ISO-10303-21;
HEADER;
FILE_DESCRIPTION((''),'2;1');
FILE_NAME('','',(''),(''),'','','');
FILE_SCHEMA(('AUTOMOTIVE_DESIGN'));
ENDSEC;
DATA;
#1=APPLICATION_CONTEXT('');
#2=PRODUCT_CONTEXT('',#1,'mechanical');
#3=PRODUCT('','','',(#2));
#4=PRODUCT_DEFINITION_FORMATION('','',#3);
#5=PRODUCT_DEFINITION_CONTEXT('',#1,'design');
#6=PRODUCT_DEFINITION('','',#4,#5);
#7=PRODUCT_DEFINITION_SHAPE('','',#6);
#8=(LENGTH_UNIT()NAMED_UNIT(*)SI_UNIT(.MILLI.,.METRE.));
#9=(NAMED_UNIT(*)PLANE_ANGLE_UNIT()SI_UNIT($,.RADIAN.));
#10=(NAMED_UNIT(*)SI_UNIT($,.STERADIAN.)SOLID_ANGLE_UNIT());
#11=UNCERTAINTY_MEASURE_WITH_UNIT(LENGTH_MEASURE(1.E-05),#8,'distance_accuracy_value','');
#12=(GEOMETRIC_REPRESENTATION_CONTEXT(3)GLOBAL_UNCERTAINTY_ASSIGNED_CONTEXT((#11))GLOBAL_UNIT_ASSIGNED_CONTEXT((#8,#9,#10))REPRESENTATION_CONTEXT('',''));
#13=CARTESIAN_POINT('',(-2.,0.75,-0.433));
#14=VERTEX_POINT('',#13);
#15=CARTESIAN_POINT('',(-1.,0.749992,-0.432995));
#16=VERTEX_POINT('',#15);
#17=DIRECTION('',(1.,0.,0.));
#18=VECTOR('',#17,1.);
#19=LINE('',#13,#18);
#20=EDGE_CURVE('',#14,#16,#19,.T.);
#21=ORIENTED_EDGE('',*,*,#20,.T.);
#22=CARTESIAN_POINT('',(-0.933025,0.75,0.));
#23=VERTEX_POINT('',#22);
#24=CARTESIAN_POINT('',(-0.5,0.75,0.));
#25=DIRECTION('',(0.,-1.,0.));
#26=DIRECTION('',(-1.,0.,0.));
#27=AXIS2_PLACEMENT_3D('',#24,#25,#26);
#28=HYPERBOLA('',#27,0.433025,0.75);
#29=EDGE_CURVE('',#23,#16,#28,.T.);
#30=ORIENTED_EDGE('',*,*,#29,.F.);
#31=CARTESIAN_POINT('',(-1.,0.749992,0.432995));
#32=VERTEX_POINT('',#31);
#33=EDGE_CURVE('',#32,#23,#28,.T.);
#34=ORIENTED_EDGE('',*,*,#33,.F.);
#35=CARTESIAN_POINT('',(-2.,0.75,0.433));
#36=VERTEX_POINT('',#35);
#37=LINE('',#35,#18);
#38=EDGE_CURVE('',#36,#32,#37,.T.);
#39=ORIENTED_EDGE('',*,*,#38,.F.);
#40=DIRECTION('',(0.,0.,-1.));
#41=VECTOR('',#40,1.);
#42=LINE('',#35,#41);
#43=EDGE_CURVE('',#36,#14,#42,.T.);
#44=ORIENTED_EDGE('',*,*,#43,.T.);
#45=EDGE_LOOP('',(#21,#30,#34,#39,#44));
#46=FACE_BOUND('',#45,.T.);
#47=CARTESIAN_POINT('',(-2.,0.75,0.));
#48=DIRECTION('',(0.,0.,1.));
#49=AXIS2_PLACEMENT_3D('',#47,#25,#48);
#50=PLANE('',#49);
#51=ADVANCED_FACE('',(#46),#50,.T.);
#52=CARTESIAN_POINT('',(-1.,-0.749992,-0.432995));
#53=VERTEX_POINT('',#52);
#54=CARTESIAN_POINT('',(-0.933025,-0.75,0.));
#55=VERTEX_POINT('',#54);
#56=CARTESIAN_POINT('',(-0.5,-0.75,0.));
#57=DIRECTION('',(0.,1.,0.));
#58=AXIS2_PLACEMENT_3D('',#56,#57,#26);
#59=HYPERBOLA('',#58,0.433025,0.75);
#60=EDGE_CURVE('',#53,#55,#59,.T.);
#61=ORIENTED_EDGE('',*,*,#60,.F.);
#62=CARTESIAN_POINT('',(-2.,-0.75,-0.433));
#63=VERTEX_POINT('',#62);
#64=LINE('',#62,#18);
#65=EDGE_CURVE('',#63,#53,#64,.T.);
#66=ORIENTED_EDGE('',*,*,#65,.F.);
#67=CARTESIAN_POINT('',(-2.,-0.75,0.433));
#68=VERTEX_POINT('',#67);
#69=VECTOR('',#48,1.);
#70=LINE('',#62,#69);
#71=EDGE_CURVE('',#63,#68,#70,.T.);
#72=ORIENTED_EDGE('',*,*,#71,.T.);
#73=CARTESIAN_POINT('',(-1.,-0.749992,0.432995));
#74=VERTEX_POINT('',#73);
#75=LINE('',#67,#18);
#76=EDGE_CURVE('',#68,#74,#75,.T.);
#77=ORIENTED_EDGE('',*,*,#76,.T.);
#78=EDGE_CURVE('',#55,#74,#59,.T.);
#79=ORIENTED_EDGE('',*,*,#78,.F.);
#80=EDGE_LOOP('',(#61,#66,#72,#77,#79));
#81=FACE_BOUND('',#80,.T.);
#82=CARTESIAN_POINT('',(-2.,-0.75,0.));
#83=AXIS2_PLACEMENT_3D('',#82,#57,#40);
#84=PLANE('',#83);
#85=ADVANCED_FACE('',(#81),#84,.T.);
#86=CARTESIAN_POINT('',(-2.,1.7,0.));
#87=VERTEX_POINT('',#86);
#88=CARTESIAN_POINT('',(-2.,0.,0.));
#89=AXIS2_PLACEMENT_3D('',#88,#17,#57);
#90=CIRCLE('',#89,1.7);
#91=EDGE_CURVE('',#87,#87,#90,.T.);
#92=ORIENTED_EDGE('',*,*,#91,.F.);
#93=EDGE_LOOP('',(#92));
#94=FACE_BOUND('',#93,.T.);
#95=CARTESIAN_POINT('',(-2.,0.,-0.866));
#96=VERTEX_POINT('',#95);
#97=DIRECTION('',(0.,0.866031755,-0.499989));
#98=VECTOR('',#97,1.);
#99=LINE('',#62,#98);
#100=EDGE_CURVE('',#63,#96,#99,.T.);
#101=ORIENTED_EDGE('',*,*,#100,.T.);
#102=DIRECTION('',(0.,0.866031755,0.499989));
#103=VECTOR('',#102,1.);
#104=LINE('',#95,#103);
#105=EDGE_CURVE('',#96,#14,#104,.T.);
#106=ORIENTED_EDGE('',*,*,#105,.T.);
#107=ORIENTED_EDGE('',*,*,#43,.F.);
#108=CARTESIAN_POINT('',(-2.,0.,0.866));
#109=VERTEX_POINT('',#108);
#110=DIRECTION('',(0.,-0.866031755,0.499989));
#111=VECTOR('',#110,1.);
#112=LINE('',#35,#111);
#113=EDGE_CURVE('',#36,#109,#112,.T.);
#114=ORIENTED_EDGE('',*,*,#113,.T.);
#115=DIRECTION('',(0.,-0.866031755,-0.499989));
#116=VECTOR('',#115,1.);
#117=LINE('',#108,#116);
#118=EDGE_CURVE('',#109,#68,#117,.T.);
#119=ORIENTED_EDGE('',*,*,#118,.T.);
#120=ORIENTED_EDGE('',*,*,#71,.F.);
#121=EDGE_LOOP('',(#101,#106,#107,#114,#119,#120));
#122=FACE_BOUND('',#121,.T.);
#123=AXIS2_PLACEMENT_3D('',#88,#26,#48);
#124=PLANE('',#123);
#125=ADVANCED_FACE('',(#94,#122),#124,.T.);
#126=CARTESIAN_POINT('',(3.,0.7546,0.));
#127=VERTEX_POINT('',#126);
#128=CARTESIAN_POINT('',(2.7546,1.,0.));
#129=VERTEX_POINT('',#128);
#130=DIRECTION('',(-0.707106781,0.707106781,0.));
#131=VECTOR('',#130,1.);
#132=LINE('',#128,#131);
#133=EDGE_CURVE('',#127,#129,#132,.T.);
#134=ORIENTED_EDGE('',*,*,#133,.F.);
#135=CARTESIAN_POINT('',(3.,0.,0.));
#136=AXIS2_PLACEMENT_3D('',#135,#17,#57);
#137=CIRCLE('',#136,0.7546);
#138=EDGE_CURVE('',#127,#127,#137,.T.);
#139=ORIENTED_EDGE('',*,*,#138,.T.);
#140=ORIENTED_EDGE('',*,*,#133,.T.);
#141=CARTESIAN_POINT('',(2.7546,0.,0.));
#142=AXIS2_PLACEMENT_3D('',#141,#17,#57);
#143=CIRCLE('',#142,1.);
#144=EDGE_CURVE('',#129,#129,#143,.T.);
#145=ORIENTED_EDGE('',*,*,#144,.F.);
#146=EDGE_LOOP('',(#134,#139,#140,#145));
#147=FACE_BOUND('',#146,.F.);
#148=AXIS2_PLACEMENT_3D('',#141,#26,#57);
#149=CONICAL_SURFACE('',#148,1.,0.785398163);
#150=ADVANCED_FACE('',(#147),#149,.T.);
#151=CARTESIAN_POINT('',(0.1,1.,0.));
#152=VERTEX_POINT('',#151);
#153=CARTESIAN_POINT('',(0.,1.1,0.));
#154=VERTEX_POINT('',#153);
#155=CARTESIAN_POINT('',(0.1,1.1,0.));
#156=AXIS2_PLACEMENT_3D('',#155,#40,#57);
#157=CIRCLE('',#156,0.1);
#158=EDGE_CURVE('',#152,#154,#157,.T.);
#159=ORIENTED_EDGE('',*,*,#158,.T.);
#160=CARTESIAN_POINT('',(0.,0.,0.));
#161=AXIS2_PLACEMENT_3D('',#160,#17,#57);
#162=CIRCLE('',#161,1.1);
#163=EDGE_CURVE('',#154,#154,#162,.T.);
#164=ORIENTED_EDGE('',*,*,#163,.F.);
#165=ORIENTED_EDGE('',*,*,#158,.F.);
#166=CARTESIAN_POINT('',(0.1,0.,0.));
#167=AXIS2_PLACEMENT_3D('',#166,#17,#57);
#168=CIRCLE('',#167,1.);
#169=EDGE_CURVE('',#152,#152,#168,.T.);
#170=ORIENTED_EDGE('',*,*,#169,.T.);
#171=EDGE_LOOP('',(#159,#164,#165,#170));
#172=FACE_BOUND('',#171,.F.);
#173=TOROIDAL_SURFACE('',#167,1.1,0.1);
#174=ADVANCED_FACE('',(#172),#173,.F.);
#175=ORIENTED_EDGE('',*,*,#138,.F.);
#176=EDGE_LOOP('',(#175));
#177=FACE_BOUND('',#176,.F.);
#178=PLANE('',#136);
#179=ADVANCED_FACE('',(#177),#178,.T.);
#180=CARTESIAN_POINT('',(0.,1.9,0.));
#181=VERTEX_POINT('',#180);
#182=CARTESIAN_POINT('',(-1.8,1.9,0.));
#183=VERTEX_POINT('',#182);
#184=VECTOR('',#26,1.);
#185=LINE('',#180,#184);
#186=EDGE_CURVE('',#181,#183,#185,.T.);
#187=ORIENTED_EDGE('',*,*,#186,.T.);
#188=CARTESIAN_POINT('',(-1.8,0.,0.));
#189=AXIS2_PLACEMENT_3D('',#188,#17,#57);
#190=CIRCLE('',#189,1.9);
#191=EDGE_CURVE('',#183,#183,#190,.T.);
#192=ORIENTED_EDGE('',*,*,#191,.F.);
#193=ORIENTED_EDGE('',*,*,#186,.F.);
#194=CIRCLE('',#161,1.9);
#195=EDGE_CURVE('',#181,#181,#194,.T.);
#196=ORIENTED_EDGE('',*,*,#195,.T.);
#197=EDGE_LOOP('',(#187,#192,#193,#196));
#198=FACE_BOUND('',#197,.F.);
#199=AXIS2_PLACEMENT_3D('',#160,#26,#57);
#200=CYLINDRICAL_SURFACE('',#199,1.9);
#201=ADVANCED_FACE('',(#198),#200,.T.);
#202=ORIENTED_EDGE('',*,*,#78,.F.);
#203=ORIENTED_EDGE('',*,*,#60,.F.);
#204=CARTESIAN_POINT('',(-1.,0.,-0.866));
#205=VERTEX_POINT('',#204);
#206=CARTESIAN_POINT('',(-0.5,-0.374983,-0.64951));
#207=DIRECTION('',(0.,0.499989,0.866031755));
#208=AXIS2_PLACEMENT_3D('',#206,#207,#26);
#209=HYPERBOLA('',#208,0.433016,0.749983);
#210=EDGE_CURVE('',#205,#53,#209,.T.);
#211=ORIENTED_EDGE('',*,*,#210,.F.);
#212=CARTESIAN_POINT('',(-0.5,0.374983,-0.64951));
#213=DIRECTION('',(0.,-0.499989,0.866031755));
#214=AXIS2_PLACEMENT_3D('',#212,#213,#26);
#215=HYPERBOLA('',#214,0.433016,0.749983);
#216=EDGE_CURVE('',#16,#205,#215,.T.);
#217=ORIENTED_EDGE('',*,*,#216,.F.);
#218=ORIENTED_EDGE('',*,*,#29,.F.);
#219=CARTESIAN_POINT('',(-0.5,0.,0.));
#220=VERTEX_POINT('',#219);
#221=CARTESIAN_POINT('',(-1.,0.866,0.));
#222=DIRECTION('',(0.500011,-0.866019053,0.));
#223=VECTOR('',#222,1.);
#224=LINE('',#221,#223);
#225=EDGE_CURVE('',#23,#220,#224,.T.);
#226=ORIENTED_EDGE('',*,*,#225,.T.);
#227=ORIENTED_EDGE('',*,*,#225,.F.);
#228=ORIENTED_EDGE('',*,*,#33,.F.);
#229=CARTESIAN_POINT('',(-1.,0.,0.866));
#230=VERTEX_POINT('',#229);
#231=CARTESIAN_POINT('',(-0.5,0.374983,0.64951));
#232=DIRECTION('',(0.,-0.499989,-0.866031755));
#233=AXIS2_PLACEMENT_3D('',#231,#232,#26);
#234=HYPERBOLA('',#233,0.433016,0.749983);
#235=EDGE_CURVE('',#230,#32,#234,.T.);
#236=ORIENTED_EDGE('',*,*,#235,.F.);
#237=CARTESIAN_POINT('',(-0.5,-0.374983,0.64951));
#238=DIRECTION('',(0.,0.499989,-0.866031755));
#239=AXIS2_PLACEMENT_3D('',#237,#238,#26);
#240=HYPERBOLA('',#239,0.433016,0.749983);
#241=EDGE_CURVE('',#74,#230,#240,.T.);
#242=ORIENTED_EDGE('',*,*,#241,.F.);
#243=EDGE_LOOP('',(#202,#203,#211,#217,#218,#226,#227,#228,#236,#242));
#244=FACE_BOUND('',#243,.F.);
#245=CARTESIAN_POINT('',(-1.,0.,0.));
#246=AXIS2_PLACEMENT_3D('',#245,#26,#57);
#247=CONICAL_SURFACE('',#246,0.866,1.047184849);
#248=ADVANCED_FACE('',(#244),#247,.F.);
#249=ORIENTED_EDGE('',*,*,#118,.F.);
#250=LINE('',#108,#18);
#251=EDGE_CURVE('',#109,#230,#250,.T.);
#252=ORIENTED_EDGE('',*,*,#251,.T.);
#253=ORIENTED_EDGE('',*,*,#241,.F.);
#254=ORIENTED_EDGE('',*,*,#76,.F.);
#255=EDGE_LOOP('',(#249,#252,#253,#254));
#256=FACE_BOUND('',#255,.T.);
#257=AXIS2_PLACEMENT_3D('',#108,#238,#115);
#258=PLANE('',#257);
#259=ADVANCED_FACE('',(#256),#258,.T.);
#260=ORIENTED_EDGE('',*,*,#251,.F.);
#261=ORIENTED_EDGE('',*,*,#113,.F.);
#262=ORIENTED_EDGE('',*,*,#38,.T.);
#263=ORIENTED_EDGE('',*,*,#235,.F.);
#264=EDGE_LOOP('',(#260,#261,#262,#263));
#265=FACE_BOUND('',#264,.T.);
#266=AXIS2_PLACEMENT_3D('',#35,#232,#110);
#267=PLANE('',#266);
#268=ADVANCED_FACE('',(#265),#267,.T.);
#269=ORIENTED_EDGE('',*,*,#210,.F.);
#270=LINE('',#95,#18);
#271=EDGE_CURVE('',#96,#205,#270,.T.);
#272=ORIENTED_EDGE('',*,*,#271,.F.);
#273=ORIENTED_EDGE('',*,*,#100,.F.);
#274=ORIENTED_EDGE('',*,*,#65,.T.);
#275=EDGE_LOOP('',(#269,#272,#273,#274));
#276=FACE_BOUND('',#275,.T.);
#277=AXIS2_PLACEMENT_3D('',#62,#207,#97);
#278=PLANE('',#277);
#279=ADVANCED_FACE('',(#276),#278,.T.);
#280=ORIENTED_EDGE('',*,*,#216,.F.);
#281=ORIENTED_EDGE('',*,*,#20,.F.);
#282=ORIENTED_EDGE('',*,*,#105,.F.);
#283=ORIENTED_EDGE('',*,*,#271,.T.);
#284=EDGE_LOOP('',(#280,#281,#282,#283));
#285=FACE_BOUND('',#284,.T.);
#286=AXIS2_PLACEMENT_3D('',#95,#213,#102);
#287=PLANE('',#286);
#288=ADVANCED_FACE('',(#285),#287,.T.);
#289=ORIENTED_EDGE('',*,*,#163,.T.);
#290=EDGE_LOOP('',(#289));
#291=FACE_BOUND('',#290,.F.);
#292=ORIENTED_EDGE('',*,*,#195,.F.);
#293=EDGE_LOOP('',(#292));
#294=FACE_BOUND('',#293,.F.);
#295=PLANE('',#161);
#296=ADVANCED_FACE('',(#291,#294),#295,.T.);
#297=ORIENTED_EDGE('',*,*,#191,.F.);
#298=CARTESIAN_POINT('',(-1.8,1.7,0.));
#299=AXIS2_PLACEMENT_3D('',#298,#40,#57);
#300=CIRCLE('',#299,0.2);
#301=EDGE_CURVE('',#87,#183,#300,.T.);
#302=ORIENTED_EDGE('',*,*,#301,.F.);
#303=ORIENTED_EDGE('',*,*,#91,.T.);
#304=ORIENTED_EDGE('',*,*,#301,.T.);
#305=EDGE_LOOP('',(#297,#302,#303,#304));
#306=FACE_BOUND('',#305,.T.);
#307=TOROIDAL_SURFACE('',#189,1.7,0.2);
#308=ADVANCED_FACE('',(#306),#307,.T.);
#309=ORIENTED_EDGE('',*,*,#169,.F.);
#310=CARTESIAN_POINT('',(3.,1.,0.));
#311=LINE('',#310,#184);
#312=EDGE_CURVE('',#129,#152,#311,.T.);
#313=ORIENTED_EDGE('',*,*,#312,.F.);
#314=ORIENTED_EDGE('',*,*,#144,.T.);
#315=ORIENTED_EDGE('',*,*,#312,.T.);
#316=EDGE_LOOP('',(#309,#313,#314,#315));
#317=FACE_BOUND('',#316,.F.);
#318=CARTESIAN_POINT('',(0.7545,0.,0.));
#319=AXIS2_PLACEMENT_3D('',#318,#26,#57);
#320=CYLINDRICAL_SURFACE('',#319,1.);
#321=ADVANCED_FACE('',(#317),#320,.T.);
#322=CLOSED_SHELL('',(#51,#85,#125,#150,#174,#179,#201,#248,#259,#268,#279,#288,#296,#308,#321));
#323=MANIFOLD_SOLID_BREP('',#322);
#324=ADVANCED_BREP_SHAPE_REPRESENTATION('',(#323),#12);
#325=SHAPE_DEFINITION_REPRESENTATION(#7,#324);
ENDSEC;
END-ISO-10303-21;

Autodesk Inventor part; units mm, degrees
ref_plane "YZ Plane" through (0, 0, 0) normal (1, 0, 0) x (0, 1, 0)
ref_plane "XZ Plane" through (0, 0, 0) normal (0, 1, 0) x (-1, 0, 0)
sketch "Skizze1" plane through (0, 0, 0) normal (0, 0, 1) x (1, 0, 0)
  line L0 (-0.5, 0) -> (3, 0)
  line L1 (3, 0) -> (3, 1)
  line L2 (3, 1) -> (1, 1)
  line L3 (1, 1) -> (0.7545, 1)
  line L4 (0.7545, 1) -> (0, 1)
  line L5 (0, 1) -> (0, 1.9)
  line L6 (0, 1.9) -> (-2, 1.9)
  line L7 (-2, 1.9) -> (-2, 0.866)
  line L8 (-2, 0.866) -> (-1, 0.866)
  line L9 (-1, 0.866) -> (-0.5, 0)
  line L10 (-3, 0) -> (4, 0) projected
  line L11 (0, -0.38) -> (0, 2.28) projected
  line L12 (1, 1) -> (0, 1) construction
  dimension "d1" = 2
  dimension "d2" = 0.2455
  dimension "d3" = 2
  dimension "d4" = 1
  dimension "d5" = 60
  dimension "d6" = 2
  dimension "d7" = 2
  dimension "d8" = 1.7321
  dimension "d9" = 3.8
  dimension "d26" = 3
revolve "Körper" add sketch "Skizze1" angle 360 about axis through (-0.5, 0, 0) along (1, 0, 0)
sketch "Skizze2" plane through (-2, 0, 0) normal (-1, 0, 0) x (0, 0, 1)
  circle A0 centre (0, 0) radius 0.866 projected
  line L0 (0, -2.66) -> (0, 2.66) projected
  line L1 (-2.66, 0) -> (2.66, 0) projected
  line L2 (0.866, 0) -> (0.433, -0.75)
  line L3 (0.433, -0.75) -> (-0.433, -0.75)
  line L4 (-0.433, -0.75) -> (-0.866, 0)
  line L5 (-0.866, 0) -> (-0.433, 0.75)
  line L6 (-0.433, 0.75) -> (0.433, 0.75)
  line L7 (0.433, 0.75) -> (0.866, 0)
extrude "Loch" add sketch "Skizze2" against normal up to next contours L7 A0 | A0 L2 | L6 L0 A0 | A0 L0 L3 | L0 L6 A0 | A0 L3 L0 | L4 A0 | A0 L5
fillet "Rundung1" radius 0.2 1 edges at (-2, -1.9, 0)
thread "Gewinde" size "M2x0.4" class "6g" standard "ISO Metric profile" length 2
chamfer "Fase1" distance 0.2454 distance2 0.2454 1 edges at (3, -1, 0) measured on face at (3, -0.4588, -0.3309)
ref_plane "Work Plane1" through (29, 0, 0) normal (0, -1, 0) x (1, 0, 0)
fillet "Fillet2" radius 0.1 1 edges at (0, -1, 0)
equation "\"d1\" = GEL"
equation "\"d3\" = KOH"
equation "\"d4\" = INTI"
equation "\"d6\" = GD"
equation "\"d7\" = BDM"
equation "\"d8\" = 1.1547 * SW"
equation "\"d9\" = KOD"
equation "\"d26\" = NLG"
equation "\"d30\" = R"
equation "\"d17\" = RR"
equation "\"d13\" = GEL"
equation "\"d15\" = -0.5 * SPD + 0.5 * GD"
equation "\"d16\" = GUL"
equation "\"GD\" = 2"
equation "\"NLG\" = 3"
equation "\"GEL\" = 2"
equation "\"KOD\" = 3.8"
equation "\"KOH\" = 2"
equation "\"INTI\" = 1"
equation "\"GAL\" = 0.61345 * PTC"
equation "\"GUL\" = 0.61345 * PTC"
equation "\"BDM\" = NND"
equation "\"SW\" = 1.5"
equation "\"RR\" = 0.2"
equation "\"SPD\" = NND - 1.2269 * PTC"
equation "\"R\" = 0.1"
equation "\"TOA\" = 30deg"
equation "\"GD1\" = THREADDIA - 1.2269 * PTC"
equation "\"THREADDIA\" = 2"
equation "\"FAWI\" = 45deg"
equation "\"PTC\" = 0.4"
equation "\"NND\" = 2"
equation "\"E0\" = 1.155 * SW"
properties part number "ISO 4762 - M2 x 3" material "Edelstahl, 440C"
